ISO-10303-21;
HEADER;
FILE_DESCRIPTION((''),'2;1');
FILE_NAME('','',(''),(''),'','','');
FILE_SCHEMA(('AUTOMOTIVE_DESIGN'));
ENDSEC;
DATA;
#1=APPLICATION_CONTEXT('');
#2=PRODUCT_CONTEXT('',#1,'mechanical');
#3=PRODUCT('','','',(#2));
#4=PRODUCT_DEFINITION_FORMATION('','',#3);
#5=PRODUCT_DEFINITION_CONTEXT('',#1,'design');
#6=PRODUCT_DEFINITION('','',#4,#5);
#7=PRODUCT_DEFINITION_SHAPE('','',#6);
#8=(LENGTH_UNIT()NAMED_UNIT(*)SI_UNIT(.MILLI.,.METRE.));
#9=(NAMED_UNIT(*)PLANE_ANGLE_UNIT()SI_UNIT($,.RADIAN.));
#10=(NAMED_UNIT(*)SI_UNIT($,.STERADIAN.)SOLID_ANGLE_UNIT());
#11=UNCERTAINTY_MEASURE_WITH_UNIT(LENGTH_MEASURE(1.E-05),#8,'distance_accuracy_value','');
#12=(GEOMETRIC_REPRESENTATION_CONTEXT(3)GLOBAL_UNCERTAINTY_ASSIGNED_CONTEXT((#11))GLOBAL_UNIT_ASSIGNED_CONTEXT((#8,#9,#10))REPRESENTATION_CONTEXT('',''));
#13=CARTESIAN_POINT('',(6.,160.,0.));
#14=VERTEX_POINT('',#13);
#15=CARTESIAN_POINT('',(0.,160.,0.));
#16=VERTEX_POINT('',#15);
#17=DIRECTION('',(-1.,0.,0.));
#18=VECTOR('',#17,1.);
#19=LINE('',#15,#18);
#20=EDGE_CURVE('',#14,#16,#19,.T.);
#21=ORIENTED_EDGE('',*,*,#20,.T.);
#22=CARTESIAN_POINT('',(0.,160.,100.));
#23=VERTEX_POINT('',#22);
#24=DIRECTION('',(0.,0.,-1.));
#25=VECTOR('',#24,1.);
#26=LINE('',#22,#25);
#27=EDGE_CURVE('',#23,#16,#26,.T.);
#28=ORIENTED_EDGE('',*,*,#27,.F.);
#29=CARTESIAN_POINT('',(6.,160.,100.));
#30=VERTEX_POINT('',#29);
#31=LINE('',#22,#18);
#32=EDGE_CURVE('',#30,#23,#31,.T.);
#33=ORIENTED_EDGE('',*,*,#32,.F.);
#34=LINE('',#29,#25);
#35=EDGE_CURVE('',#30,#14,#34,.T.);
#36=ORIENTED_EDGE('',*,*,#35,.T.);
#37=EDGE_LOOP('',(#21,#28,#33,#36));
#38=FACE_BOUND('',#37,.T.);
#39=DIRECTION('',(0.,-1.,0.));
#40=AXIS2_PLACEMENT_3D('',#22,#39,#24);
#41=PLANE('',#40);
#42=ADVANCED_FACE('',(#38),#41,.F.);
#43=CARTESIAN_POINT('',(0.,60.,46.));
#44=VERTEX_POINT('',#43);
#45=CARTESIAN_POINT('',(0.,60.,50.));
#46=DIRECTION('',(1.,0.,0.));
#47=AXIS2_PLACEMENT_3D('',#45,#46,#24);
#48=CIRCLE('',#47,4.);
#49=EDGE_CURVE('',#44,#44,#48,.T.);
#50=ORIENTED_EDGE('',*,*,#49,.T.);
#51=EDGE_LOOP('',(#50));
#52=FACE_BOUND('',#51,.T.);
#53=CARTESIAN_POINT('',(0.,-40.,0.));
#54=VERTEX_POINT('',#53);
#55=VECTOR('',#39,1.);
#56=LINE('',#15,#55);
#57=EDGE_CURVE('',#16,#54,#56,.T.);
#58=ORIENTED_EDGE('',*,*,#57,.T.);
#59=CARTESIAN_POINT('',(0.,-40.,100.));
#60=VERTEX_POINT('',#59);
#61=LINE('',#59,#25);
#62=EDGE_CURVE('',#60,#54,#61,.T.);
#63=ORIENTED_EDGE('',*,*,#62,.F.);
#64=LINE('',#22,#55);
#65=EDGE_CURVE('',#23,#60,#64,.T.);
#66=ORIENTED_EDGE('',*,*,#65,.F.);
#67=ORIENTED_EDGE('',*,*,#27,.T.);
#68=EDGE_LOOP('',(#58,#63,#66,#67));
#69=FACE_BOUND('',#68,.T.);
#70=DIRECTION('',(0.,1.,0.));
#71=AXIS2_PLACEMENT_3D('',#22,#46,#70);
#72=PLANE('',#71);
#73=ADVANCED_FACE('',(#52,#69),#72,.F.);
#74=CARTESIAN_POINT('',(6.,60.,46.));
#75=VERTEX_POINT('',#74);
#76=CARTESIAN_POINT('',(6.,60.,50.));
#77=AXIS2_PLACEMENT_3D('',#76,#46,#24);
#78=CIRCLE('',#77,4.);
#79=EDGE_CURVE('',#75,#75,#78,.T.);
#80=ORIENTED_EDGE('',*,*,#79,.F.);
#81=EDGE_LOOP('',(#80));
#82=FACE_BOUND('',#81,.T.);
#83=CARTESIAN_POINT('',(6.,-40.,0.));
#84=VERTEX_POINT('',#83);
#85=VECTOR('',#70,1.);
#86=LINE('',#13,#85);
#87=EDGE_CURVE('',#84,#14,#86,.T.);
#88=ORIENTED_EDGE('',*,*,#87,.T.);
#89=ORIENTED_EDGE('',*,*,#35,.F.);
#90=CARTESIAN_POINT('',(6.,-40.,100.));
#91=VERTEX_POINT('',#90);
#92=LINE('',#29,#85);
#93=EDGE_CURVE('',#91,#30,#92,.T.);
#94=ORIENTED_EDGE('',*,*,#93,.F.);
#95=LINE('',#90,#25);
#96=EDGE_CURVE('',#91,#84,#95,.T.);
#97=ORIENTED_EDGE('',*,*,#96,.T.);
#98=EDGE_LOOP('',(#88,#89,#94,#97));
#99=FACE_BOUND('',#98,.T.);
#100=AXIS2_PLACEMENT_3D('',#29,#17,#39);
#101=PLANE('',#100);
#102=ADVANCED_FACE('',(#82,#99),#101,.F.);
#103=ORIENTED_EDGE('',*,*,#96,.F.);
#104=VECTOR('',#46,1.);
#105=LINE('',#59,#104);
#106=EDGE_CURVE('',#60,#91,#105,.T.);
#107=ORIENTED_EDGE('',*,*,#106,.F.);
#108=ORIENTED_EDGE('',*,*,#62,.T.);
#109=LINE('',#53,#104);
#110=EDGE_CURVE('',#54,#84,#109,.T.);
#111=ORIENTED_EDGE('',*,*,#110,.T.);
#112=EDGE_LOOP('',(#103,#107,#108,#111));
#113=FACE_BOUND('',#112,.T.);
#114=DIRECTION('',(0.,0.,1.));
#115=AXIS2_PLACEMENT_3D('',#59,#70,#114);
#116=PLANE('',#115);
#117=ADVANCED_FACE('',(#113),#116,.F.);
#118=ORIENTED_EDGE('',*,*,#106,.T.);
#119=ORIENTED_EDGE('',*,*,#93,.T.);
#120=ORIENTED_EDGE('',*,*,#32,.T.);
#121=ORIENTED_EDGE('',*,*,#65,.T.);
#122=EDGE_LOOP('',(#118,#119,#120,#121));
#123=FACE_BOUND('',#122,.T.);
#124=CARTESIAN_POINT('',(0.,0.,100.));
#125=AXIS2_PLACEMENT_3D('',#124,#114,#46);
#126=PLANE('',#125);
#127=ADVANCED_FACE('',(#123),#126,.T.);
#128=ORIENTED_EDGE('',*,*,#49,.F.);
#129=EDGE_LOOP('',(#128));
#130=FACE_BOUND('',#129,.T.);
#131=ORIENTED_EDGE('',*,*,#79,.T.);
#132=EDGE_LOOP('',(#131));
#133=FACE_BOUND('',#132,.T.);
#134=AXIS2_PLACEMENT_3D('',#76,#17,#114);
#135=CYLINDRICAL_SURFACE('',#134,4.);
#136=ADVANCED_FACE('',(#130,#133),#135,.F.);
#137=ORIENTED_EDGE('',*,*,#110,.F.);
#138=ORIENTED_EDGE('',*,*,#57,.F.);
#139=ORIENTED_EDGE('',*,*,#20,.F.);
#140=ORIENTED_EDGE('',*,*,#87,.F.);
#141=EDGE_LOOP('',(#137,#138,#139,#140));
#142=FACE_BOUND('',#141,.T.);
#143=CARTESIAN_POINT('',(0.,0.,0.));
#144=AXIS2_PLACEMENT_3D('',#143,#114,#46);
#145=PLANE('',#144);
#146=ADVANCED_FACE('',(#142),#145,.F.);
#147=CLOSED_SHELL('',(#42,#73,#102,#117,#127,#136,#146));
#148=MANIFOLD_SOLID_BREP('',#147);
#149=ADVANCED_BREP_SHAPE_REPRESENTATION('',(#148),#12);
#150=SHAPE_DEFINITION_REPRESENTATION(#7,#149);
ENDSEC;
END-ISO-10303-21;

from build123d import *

# Parameters (mm, degrees)
ESQUISSE2_W             = 6
ESQUISSE2_H             = 200
BOSS_EXTRU_1_DEPTH      = 100
ESQUISSE3_R             = 4
ENL_V_MAT_EXTRU_1_DEPTH = 7


with BuildPart() as part:
    # Esquisse2 → Boss.-Extru.1 (new body)
    with BuildSketch(Plane.XY):
        with Locations((3, 60)):
            Rectangle(ESQUISSE2_W, ESQUISSE2_H)
    extrude(amount=BOSS_EXTRU_1_DEPTH)

    # Esquisse3 → Enlèv. mat.-Extru.1 (cut, through all)
    with BuildSketch(Plane(origin=(0, 0, 0), x_dir=(0, 0, -1), z_dir=(1, 0, 0))):
        with Locations((-50, 60)):
            Circle(ESQUISSE3_R)
    extrude(amount=ENL_V_MAT_EXTRU_1_DEPTH, mode=Mode.SUBTRACT)


solid = part.part
